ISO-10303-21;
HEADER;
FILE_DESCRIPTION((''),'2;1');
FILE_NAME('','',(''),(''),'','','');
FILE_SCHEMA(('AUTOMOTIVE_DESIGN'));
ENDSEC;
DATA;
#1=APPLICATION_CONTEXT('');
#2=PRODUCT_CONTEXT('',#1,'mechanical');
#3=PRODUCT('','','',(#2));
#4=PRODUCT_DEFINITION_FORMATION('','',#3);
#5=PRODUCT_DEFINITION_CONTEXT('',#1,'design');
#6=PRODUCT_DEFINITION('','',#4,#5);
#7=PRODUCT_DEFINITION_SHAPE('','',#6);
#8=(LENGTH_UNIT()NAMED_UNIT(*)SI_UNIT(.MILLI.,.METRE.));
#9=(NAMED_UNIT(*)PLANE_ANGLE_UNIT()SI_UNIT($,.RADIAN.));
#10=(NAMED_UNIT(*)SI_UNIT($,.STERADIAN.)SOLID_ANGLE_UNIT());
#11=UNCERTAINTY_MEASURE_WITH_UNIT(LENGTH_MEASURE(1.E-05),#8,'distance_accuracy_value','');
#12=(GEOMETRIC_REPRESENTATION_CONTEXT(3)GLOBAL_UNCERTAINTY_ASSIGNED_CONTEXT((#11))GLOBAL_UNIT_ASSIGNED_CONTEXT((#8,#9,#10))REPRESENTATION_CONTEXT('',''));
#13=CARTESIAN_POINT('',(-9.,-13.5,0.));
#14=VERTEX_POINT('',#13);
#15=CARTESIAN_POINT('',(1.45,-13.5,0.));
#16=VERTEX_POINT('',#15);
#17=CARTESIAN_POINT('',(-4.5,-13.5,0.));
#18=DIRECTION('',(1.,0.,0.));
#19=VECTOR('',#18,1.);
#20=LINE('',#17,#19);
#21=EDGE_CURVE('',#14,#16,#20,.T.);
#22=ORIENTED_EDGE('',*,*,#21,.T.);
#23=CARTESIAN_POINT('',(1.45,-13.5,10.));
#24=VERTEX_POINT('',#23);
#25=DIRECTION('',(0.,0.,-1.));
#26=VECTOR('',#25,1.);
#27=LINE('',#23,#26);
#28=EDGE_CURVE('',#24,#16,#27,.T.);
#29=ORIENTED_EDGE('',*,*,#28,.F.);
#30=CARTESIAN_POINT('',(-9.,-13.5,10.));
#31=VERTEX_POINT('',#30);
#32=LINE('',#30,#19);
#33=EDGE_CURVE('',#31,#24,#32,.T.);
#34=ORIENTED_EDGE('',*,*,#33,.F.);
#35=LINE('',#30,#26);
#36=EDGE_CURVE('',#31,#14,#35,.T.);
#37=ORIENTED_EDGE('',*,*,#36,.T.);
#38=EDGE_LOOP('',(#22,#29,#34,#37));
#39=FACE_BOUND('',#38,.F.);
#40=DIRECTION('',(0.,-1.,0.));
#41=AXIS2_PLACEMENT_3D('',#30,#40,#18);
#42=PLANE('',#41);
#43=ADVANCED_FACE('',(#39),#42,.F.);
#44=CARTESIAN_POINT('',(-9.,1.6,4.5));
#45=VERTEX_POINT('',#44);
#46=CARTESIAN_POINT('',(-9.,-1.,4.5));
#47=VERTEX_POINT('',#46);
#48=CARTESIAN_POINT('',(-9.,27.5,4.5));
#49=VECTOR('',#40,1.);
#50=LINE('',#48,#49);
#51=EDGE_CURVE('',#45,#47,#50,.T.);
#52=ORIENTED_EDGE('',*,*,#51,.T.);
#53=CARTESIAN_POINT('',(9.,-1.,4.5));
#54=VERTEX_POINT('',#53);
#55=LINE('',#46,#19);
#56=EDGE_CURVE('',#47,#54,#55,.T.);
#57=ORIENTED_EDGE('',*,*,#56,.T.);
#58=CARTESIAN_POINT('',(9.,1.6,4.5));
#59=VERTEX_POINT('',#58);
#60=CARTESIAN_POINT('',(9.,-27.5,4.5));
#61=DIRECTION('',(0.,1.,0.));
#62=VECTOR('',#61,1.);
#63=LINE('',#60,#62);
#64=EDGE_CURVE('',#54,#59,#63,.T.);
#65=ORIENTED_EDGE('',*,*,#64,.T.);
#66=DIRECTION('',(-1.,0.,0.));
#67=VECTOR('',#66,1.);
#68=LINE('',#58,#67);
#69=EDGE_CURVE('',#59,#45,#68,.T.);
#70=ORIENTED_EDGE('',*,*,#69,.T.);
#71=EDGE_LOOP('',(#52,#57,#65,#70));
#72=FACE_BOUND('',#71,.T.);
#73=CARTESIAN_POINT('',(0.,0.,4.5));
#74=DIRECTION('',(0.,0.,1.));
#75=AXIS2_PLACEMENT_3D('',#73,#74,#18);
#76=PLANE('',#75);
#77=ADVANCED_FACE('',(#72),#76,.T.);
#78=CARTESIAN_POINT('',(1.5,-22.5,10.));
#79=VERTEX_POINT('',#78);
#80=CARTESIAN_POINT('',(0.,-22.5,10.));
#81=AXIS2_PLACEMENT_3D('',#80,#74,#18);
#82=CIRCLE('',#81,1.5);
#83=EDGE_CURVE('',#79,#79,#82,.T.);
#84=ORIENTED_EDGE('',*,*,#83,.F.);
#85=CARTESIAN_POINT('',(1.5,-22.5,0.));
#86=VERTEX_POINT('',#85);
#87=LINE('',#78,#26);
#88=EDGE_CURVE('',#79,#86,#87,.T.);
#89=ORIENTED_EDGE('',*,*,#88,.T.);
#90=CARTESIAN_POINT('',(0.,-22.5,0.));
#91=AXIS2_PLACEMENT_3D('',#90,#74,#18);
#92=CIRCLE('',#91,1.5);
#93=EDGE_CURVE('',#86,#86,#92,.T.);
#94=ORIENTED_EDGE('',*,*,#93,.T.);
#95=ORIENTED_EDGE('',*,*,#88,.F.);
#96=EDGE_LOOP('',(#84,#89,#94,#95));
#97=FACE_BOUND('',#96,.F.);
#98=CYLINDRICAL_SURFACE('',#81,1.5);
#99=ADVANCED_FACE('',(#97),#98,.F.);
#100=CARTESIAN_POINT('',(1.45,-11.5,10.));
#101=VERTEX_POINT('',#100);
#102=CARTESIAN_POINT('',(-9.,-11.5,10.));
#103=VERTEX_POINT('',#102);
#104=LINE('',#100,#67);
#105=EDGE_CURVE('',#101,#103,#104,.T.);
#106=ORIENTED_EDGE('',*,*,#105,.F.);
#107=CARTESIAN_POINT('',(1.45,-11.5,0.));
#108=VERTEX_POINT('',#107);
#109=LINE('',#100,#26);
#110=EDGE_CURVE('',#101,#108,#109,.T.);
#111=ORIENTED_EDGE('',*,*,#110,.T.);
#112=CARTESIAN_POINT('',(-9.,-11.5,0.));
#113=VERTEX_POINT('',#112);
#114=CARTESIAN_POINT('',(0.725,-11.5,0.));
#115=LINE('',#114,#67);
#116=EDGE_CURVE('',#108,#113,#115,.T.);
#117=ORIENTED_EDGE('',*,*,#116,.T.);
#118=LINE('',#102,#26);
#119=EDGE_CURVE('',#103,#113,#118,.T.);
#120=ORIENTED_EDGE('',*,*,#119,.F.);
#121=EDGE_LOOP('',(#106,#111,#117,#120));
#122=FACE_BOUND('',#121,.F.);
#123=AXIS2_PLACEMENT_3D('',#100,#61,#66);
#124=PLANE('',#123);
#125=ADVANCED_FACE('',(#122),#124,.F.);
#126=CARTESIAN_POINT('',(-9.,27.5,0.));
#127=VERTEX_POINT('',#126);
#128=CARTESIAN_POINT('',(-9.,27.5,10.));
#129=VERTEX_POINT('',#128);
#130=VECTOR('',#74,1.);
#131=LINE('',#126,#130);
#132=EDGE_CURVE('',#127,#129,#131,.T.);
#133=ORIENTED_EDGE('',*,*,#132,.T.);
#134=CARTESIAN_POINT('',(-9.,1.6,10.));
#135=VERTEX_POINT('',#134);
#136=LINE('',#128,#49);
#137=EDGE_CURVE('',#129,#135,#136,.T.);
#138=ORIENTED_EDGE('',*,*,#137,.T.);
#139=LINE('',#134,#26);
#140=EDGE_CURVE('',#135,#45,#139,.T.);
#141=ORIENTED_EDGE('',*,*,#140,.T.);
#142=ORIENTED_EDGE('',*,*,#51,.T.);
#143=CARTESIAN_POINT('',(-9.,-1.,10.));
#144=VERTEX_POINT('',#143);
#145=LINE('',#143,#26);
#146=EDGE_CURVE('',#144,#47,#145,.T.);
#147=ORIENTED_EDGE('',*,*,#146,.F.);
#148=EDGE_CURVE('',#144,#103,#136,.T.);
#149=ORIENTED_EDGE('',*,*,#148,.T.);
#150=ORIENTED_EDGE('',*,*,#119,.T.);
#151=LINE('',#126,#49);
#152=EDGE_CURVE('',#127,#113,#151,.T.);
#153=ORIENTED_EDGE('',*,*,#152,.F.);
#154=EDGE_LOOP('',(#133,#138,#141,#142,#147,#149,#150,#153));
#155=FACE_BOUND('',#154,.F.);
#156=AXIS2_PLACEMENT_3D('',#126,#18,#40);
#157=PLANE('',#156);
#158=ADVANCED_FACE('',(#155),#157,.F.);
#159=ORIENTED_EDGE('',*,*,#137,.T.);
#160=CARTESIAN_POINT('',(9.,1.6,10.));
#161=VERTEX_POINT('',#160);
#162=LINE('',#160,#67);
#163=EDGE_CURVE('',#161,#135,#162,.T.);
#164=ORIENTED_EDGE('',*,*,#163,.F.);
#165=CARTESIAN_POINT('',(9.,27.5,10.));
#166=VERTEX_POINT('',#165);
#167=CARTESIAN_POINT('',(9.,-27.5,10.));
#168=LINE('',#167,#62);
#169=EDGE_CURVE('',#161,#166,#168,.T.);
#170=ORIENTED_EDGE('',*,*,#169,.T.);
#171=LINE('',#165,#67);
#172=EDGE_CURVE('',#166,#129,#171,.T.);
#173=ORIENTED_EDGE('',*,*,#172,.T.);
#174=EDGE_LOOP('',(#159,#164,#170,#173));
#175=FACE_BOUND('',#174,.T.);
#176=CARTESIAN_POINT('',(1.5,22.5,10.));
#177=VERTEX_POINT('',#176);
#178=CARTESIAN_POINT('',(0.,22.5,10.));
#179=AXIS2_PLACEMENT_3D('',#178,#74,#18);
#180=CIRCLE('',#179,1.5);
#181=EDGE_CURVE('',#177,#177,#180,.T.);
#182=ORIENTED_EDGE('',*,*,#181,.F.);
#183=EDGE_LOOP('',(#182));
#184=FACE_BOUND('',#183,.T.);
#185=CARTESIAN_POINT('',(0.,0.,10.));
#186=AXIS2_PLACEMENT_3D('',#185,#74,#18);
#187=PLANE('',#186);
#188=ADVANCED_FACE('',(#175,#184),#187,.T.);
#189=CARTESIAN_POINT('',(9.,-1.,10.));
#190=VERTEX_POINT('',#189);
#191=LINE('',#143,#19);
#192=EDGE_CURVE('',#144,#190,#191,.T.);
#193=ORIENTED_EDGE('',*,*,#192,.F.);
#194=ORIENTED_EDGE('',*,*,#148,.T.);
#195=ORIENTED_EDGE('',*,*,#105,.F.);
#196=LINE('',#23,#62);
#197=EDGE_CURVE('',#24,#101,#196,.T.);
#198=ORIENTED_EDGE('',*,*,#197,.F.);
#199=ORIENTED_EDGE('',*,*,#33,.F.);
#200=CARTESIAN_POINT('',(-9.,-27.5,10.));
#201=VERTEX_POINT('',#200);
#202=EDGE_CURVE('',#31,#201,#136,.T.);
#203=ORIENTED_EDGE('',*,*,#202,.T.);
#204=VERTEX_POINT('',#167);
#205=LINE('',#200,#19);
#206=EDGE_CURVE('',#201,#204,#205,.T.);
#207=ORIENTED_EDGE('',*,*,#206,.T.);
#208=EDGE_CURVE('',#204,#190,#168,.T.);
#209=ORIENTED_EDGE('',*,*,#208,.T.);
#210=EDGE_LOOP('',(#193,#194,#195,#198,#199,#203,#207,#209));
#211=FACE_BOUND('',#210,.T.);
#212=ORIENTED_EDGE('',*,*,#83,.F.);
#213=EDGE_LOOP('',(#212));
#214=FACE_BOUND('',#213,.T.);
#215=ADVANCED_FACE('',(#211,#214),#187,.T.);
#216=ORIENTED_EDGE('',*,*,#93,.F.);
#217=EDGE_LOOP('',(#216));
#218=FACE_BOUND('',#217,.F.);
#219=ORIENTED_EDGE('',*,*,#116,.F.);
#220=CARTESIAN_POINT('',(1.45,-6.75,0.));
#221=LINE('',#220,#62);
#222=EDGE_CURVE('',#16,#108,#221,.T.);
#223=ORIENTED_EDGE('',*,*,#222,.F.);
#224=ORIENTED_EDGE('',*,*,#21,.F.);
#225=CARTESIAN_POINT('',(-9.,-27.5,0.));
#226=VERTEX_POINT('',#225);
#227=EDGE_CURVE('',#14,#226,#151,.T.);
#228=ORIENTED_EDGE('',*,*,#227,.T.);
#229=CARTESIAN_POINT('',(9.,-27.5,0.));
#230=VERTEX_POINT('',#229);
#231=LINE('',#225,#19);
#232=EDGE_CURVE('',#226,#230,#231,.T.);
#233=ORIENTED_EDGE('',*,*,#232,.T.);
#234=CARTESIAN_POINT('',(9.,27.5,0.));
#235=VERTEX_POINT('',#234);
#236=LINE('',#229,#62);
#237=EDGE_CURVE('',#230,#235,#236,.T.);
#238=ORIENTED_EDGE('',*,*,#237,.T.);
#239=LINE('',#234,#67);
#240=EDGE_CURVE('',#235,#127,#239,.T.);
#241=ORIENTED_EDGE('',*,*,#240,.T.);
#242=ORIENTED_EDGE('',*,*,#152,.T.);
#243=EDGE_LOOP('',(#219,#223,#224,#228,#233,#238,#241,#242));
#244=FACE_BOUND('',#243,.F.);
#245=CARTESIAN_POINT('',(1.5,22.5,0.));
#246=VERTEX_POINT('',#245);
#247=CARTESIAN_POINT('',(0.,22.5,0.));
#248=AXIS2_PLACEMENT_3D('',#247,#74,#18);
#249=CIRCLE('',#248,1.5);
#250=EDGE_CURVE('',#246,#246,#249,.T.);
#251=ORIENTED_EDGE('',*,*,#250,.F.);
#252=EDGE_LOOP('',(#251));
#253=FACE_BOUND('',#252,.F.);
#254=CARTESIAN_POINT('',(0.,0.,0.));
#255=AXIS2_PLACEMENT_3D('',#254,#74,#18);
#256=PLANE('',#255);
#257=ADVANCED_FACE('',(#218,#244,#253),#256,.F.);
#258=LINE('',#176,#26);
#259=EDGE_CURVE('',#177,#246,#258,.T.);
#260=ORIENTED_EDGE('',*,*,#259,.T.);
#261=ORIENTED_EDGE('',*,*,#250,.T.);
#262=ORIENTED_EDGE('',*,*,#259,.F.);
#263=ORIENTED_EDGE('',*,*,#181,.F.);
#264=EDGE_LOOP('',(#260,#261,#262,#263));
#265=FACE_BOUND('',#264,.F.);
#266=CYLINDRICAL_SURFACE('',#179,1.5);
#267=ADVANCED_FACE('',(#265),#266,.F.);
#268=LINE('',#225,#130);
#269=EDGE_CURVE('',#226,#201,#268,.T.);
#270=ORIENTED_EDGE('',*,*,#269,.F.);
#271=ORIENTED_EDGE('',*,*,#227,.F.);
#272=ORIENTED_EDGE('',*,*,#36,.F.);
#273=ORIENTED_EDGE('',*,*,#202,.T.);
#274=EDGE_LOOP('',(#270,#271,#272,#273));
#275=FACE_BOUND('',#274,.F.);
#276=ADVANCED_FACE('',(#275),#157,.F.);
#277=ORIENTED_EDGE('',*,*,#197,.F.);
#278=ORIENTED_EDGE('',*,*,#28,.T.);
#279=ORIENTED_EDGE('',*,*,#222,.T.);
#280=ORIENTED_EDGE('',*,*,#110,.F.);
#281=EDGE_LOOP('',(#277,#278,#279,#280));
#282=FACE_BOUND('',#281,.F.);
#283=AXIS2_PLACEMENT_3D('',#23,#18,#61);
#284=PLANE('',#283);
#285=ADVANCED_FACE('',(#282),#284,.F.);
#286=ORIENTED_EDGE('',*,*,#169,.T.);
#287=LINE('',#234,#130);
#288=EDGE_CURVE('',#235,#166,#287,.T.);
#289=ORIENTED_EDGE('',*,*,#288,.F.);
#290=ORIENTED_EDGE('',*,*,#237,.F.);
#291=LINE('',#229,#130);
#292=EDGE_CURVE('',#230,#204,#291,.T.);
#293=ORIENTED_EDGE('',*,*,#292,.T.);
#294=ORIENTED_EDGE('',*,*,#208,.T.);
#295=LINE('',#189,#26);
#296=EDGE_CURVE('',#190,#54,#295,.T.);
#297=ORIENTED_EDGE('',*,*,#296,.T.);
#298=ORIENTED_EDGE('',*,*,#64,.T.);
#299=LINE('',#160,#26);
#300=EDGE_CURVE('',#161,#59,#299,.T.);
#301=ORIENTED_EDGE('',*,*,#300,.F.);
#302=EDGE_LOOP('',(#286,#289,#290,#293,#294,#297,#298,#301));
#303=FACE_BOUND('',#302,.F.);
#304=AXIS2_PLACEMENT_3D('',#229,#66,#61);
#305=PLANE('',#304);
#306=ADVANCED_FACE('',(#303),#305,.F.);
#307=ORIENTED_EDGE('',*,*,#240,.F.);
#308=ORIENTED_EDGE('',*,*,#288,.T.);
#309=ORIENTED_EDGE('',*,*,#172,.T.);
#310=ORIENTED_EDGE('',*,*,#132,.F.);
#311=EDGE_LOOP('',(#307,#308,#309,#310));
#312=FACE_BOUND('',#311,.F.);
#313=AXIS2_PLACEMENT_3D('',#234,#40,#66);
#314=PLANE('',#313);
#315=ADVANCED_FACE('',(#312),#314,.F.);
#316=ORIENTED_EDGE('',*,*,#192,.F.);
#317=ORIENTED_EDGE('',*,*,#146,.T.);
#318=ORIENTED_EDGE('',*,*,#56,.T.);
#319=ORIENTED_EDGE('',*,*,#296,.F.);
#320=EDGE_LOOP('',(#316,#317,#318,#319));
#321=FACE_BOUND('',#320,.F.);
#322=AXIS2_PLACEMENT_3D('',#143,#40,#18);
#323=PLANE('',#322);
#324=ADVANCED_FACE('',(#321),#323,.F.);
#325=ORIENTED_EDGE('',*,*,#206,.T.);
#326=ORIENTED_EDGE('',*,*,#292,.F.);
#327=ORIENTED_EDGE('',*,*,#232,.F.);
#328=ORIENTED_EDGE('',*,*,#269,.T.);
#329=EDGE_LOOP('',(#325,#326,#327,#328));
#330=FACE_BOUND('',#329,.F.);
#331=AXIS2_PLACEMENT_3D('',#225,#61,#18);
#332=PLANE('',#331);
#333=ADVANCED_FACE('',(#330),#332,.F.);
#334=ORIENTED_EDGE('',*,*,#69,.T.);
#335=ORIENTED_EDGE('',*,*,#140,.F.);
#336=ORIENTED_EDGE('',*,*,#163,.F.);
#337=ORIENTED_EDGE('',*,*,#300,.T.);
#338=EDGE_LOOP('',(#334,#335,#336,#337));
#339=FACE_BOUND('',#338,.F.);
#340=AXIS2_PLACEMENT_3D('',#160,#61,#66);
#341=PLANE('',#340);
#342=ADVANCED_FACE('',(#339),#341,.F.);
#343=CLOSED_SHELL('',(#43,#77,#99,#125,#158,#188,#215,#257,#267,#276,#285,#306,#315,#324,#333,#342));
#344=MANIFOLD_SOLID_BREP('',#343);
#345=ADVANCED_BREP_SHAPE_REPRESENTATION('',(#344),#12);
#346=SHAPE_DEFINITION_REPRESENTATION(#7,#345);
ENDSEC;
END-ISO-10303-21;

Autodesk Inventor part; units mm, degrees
ref_plane "YZ Plane" through (0, 0, 0) normal (1, 0, 0) x (0, 1, 0)
ref_plane "XZ Plane" through (0, 0, 0) normal (0, 1, 0) x (-1, 0, 0)
ref_plane "XY Plane" through (0, 0, 0) normal (0, 0, 1) x (1, 0, 0)
sketch "スケッチ1" plane through (0, 0, 0) normal (0, 0, 1) x (1, 0, 0)
  line L0 (-9, -27.5) -> (9, -27.5)
  line L1 (9, -27.5) -> (9, 27.5)
  line L2 (9, 27.5) -> (-9, 27.5)
  line L3 (-9, 27.5) -> (-9, -27.5)
  line L4 (-9, -27.5) -> (9, 27.5) construction
  line L5 (9, -27.5) -> (-9, 27.5) construction
  point P0 (0, 0)
  dimension "d0" = 18
  dimension "d1" = 55
extrude "押し出し1" add sketch "スケッチ1" along normal blind 10
sketch "スケッチ2" plane through (0, 0, 10) normal (0, 0, 1) x (1, 0, 0)
  line L0 (-9, 27.5) -> (-9, -27.5) projected
  line L1 (9, -27.5) -> (9, 27.5) projected
  line L2 (-9, -1) -> (9, -1)
  line L3 (9, -1) -> (9, 1.6)
  line L4 (9, 1.6) -> (-9, 1.6)
  line L5 (-9, 1.6) -> (-9, -1)
  line L6 (-9, -27.5) -> (9, -27.5) projected
  point P0 (0, 0)
  point P1 (9, -1)
  dimension "d4" = 2.6
  dimension "d5" = 26.5
extrude "押し出し2" cut sketch "スケッチ2" against normal blind 5.5 contours L4 L1 L2 L0
sketch "スケッチ3" plane through (0, 0, 10) normal (0, 0, 1) x (1, 0, 0)
  line L0 (-9, -1) -> (-9, -27.5) projected
  line L1 (-9, -13.5) -> (1.45, -13.5)
  line L2 (1.45, -13.5) -> (1.45, -11.5)
  line L3 (1.45, -11.5) -> (-9, -11.5)
  line L4 (-9, -11.5) -> (-9, -13.5)
  line L5 (-9, -27.5) -> (9, -27.5) projected
  point P0 (0, 0)
  dimension "d8" = 2
  dimension "d9" = 14
  dimension "d10" = 10.45
extrude "押し出し3" cut sketch "スケッチ3" against normal through all
sketch "スケッチ4" plane through (0, 0, 10) normal (0, 0, 1) x (1, 0, 0)
  circle A0 centre (0, 22.5) radius 1.5
  circle A1 centre (0, -22.5) radius 1.5
  line L0 (9, 27.5) -> (-9, 27.5) projected
  line L1 (-9, -27.5) -> (9, -27.5) projected
  point P0 (0, 0)
  dimension "d13" = 3
  dimension "d14" = 3
  dimension "d15" = 5
  dimension "d16" = 5
extrude "押し出し4" cut sketch "スケッチ4" against normal through all
properties part number "ジョイントモーターハメ"
